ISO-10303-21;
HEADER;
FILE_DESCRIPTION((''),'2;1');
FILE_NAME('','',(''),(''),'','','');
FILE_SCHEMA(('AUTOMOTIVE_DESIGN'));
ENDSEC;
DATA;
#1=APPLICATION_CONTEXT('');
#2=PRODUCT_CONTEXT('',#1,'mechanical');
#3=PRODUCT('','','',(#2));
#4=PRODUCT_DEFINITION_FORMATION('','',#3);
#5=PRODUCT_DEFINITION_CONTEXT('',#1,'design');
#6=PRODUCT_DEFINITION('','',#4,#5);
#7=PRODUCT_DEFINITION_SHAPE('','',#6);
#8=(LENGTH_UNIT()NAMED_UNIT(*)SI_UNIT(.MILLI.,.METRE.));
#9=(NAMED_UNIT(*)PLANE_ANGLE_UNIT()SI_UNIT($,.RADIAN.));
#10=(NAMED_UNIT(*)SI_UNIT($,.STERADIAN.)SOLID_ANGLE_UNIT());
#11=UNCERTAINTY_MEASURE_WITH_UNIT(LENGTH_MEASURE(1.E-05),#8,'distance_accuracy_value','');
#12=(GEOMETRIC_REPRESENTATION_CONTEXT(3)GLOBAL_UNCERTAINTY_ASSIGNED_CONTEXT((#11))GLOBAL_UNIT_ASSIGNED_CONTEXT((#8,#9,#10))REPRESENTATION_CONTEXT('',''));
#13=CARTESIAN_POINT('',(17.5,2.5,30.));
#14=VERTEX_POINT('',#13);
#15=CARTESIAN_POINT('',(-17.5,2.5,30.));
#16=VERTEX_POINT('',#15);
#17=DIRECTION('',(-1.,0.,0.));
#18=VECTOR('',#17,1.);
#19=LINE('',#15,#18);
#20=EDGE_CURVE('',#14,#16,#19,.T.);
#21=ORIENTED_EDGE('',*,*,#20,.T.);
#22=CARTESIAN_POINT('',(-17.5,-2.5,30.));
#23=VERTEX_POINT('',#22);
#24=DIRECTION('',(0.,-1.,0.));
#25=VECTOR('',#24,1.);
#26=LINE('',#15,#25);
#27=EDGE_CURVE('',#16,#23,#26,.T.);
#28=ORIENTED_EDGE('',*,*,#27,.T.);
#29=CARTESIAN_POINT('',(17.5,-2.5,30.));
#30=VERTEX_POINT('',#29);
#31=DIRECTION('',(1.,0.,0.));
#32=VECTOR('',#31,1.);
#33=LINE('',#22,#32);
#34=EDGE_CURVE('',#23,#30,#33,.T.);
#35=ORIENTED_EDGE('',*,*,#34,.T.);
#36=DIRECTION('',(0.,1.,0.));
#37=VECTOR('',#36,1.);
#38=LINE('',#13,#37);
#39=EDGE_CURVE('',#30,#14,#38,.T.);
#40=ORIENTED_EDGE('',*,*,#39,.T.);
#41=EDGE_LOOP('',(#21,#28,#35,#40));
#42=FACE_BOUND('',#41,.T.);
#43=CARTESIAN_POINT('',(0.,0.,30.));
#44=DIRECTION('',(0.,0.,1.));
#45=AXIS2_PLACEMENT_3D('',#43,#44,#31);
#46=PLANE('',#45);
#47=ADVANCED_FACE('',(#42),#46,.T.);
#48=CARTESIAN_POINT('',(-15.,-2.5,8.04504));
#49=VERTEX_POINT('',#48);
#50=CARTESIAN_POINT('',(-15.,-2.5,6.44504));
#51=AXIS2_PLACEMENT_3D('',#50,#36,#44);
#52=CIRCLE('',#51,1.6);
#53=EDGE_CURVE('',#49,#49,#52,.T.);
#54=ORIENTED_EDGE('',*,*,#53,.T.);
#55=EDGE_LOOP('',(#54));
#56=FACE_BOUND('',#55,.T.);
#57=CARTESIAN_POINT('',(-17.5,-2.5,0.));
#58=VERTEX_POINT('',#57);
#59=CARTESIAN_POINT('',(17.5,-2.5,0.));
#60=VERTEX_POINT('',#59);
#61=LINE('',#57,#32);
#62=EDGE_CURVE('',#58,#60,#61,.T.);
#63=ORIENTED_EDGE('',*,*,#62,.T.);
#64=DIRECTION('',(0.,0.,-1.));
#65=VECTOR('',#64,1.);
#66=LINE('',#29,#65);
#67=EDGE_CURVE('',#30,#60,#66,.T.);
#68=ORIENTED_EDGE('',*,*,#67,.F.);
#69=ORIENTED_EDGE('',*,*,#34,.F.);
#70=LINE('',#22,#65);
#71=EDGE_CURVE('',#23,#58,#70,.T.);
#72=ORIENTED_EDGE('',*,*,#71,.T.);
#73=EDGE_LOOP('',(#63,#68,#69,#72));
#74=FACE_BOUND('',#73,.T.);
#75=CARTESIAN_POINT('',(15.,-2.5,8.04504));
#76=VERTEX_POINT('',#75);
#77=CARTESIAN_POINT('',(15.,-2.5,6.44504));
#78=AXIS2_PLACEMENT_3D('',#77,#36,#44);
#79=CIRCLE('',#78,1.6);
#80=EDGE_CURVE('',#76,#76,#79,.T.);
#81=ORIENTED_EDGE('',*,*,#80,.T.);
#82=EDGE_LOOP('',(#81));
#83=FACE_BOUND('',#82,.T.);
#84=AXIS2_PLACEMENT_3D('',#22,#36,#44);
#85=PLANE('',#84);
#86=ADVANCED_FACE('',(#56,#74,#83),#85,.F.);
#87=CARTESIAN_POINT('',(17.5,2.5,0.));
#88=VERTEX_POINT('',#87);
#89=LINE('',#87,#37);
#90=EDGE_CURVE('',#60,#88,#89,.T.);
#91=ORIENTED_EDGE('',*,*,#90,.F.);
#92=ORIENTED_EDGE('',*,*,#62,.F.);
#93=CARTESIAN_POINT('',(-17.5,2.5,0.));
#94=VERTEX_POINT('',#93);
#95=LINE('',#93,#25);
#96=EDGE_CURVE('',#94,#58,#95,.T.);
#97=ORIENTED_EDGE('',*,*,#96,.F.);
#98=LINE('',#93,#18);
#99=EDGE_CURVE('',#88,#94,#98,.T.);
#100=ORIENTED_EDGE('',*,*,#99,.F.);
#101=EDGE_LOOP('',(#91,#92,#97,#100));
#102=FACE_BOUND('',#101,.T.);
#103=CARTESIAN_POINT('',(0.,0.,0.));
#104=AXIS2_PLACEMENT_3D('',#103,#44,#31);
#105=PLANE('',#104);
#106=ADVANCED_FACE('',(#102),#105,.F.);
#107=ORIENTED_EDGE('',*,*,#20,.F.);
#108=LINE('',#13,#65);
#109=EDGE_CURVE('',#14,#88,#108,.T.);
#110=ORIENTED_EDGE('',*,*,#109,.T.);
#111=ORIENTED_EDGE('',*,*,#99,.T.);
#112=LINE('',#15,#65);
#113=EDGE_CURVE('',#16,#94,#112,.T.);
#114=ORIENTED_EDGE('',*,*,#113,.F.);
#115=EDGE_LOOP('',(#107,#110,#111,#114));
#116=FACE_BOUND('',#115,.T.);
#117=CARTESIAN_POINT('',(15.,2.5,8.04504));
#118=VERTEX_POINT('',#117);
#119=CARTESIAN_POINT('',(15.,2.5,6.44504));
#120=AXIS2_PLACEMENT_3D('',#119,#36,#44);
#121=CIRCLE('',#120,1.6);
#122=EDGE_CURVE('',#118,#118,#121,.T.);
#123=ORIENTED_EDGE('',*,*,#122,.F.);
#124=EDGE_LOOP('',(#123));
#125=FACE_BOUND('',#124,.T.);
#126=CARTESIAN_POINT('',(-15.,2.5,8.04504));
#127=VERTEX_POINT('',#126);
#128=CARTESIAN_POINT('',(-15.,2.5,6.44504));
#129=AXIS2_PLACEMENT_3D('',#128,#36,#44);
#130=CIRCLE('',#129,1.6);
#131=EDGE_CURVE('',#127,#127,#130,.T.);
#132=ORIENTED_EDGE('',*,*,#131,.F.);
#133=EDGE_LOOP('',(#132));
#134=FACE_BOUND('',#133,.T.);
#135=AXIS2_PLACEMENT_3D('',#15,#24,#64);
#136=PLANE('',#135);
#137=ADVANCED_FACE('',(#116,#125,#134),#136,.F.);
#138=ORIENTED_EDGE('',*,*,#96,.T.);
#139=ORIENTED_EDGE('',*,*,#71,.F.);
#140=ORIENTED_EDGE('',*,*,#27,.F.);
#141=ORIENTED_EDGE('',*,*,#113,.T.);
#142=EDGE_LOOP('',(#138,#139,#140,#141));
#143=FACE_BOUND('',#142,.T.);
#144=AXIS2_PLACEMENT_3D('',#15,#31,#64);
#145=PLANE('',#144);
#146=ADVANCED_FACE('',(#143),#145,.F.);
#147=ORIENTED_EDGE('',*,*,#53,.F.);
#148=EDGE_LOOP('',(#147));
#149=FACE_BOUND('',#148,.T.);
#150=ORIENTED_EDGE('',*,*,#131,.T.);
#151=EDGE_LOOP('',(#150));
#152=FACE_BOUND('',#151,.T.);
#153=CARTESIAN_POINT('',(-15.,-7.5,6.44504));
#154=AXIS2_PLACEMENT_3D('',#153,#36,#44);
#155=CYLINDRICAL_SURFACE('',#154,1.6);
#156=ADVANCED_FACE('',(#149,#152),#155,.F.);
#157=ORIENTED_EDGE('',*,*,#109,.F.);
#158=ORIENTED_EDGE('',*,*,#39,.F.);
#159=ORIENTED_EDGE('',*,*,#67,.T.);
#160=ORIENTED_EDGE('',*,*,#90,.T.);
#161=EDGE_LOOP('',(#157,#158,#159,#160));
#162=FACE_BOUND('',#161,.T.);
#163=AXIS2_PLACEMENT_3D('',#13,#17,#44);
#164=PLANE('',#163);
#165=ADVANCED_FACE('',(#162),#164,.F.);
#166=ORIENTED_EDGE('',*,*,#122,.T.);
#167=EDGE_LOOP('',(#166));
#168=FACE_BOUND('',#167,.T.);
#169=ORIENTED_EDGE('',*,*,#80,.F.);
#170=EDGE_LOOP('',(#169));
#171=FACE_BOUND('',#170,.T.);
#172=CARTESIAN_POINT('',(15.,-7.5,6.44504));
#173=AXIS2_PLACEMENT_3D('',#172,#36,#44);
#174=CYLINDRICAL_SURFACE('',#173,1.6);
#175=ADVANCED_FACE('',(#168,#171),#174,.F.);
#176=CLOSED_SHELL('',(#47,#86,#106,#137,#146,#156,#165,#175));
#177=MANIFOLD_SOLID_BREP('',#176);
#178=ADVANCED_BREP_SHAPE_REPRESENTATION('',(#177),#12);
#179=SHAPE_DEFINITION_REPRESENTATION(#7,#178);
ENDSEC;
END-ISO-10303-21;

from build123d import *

# Parameters (mm, degrees)
SKETCH_1_W          = 35
SKETCH_1_H          = 5
EXTRUDE_1_DEPTH     = 30
SKETCH_2_R          = 1.6
CUT_EXTRUDE_1_DEPTH = 10


with BuildPart() as part:
    # 草图1 → 凸台-拉伸1 (new body)
    with BuildSketch(Plane.XY):
        Rectangle(SKETCH_1_W, SKETCH_1_H)
    extrude(amount=EXTRUDE_1_DEPTH)

    # 草图2 → 切除-拉伸1 (cut)
    with BuildSketch(Plane(origin=(0, 2.5, 0), x_dir=(1, 0, 0), z_dir=(0, 1, 0))):
        with Locations(Location((15, -6.445040037, 0), (0, 0, 270))):
            Circle(SKETCH_2_R)
        with Locations(Location((-15, -6.445040037, 0), (0, 0, 270))):
            Circle(SKETCH_2_R)
    extrude(amount=-CUT_EXTRUDE_1_DEPTH, mode=Mode.SUBTRACT)


solid = part.part
